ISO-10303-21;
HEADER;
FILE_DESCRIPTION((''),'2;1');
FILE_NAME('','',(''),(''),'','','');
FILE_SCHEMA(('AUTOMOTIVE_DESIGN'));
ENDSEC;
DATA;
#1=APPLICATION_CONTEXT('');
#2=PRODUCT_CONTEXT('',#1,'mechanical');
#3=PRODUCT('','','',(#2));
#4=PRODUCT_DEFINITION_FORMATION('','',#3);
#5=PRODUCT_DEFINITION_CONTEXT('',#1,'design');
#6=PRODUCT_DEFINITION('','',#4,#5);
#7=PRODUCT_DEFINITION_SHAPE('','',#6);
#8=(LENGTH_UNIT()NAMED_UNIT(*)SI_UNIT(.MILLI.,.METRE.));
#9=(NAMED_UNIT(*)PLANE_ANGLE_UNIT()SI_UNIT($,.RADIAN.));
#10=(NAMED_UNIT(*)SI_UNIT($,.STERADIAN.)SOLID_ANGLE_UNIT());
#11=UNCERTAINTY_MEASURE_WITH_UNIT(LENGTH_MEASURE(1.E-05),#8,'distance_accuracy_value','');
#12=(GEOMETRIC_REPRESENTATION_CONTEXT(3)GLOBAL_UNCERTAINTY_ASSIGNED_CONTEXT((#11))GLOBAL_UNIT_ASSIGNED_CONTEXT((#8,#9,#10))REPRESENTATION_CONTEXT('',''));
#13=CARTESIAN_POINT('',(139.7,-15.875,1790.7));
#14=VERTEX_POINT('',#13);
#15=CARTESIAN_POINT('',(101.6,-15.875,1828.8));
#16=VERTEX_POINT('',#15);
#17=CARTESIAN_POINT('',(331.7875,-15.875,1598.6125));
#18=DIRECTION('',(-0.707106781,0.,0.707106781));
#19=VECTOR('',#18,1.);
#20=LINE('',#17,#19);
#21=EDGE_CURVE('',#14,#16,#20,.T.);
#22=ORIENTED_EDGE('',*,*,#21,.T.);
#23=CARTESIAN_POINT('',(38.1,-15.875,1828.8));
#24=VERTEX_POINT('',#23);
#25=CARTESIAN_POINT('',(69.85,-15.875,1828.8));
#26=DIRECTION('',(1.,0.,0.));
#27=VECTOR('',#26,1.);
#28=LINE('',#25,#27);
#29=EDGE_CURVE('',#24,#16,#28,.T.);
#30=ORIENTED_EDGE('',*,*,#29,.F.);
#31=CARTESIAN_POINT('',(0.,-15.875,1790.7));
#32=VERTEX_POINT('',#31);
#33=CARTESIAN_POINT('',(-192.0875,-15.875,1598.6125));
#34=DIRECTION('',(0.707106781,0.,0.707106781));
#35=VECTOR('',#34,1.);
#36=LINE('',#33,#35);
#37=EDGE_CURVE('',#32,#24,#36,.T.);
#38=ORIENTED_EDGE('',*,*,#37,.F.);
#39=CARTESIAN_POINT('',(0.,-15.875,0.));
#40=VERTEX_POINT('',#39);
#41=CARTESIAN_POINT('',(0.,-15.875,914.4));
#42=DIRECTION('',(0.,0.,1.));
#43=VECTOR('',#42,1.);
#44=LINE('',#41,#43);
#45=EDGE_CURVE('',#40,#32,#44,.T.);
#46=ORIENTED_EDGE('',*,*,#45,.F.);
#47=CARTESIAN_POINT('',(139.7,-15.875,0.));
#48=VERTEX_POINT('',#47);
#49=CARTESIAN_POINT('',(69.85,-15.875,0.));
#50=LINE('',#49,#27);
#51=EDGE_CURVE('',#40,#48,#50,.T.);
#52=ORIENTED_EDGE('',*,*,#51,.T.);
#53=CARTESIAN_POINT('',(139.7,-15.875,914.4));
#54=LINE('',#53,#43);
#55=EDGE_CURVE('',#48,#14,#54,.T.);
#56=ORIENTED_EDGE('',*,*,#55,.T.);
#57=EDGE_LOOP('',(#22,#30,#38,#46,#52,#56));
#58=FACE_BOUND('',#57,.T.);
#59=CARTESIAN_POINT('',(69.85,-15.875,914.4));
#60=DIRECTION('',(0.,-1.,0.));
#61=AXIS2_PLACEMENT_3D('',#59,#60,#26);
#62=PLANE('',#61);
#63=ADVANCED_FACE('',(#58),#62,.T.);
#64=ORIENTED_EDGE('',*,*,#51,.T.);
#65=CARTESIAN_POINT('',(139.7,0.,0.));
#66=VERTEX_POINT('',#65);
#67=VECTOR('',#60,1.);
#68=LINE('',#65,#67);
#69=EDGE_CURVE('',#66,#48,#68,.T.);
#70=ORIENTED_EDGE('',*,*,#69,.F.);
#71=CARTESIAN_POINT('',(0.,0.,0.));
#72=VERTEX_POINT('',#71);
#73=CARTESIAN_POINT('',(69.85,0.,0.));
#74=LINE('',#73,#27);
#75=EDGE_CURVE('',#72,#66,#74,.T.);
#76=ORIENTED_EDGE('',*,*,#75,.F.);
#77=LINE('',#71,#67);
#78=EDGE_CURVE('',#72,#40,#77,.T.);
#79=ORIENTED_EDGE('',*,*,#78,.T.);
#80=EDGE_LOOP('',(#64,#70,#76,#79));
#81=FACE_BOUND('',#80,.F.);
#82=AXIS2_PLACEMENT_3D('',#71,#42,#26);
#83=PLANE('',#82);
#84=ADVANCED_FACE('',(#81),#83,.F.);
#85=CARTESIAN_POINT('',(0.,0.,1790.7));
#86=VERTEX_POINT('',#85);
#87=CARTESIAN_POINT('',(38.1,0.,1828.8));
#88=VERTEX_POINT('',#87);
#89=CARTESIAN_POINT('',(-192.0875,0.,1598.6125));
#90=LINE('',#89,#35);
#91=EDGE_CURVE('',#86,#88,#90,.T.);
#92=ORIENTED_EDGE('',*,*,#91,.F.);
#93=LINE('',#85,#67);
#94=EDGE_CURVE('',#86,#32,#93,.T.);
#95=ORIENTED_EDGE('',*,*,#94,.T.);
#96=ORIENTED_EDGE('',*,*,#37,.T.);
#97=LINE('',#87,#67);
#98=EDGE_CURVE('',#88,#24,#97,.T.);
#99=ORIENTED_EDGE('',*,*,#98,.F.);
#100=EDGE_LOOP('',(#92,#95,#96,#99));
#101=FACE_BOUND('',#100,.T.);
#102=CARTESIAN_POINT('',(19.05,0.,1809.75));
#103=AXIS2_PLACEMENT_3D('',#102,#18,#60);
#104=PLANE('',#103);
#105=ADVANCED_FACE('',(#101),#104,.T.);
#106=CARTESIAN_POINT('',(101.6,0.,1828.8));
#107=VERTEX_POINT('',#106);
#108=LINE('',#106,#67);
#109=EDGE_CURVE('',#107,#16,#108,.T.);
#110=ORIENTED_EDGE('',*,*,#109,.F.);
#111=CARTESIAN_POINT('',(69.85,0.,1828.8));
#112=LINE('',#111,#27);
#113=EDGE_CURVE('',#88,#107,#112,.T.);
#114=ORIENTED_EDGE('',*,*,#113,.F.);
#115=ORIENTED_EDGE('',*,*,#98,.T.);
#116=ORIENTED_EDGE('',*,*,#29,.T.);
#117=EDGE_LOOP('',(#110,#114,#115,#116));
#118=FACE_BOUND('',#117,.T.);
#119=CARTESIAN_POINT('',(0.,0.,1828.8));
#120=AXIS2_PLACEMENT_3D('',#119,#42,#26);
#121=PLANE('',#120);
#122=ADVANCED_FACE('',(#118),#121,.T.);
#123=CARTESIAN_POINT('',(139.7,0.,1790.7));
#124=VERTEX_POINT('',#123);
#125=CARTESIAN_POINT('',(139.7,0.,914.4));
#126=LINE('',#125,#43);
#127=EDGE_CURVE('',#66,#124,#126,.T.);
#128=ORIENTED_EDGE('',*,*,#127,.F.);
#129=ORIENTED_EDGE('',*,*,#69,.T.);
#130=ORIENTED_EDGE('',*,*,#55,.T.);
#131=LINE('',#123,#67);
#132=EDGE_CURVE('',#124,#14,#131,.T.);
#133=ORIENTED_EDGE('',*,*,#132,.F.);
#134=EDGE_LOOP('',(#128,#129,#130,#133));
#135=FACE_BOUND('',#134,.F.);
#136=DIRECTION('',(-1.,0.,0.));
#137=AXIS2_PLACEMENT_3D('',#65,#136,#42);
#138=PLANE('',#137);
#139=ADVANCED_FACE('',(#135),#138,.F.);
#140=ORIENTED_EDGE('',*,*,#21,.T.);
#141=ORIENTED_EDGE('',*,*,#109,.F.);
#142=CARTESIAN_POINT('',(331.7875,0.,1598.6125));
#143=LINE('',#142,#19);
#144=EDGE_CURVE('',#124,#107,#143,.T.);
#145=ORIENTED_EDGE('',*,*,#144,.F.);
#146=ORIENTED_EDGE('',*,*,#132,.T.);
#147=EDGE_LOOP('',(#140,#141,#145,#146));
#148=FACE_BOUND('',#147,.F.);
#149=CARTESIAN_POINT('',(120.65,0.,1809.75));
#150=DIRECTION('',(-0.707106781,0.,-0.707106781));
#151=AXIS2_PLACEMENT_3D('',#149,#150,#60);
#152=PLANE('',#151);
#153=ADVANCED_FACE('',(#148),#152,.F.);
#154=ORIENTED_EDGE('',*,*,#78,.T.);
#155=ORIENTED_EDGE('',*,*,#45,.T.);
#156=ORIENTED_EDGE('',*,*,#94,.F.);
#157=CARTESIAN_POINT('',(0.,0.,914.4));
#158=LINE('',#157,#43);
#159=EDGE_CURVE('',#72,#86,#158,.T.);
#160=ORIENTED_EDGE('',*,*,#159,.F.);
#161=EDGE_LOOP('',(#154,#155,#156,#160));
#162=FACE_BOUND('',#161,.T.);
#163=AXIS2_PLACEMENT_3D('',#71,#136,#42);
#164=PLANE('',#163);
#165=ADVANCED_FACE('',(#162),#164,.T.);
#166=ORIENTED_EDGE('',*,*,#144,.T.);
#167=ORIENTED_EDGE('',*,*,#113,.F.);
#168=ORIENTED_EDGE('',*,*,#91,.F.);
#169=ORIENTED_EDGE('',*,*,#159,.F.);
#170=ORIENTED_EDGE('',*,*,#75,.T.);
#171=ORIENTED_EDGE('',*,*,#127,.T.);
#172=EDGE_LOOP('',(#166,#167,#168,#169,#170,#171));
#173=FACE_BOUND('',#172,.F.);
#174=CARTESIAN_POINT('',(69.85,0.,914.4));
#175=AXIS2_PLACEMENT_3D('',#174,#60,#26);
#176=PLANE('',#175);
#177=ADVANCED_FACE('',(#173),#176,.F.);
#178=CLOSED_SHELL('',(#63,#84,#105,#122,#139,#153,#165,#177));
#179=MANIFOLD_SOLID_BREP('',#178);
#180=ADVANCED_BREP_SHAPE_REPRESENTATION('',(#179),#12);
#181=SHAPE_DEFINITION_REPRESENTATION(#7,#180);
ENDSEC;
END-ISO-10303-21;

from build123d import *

# Parameters (mm, degrees)
F0_W     = 139.7
F0_H     = 1828.8
F1_DEPTH = 15.875
F2_SIZE  = 38.1


with BuildPart() as f1:
    # F0 (on Front) → F1 (new body)
    with BuildSketch(Plane.XZ):
        with Locations((69.85, 914.4)):
            Rectangle(F0_W, F0_H)
    extrude(amount=F1_DEPTH)

    # F2
    f2_edges = [f1.edges().sort_by_distance(p)[0] for p in [
        (0, -7.9375, 1828.8),
        (139.7, -7.9375, 1828.8),
    ]]
    chamfer(f2_edges, length=F2_SIZE)


solid = f1.part
